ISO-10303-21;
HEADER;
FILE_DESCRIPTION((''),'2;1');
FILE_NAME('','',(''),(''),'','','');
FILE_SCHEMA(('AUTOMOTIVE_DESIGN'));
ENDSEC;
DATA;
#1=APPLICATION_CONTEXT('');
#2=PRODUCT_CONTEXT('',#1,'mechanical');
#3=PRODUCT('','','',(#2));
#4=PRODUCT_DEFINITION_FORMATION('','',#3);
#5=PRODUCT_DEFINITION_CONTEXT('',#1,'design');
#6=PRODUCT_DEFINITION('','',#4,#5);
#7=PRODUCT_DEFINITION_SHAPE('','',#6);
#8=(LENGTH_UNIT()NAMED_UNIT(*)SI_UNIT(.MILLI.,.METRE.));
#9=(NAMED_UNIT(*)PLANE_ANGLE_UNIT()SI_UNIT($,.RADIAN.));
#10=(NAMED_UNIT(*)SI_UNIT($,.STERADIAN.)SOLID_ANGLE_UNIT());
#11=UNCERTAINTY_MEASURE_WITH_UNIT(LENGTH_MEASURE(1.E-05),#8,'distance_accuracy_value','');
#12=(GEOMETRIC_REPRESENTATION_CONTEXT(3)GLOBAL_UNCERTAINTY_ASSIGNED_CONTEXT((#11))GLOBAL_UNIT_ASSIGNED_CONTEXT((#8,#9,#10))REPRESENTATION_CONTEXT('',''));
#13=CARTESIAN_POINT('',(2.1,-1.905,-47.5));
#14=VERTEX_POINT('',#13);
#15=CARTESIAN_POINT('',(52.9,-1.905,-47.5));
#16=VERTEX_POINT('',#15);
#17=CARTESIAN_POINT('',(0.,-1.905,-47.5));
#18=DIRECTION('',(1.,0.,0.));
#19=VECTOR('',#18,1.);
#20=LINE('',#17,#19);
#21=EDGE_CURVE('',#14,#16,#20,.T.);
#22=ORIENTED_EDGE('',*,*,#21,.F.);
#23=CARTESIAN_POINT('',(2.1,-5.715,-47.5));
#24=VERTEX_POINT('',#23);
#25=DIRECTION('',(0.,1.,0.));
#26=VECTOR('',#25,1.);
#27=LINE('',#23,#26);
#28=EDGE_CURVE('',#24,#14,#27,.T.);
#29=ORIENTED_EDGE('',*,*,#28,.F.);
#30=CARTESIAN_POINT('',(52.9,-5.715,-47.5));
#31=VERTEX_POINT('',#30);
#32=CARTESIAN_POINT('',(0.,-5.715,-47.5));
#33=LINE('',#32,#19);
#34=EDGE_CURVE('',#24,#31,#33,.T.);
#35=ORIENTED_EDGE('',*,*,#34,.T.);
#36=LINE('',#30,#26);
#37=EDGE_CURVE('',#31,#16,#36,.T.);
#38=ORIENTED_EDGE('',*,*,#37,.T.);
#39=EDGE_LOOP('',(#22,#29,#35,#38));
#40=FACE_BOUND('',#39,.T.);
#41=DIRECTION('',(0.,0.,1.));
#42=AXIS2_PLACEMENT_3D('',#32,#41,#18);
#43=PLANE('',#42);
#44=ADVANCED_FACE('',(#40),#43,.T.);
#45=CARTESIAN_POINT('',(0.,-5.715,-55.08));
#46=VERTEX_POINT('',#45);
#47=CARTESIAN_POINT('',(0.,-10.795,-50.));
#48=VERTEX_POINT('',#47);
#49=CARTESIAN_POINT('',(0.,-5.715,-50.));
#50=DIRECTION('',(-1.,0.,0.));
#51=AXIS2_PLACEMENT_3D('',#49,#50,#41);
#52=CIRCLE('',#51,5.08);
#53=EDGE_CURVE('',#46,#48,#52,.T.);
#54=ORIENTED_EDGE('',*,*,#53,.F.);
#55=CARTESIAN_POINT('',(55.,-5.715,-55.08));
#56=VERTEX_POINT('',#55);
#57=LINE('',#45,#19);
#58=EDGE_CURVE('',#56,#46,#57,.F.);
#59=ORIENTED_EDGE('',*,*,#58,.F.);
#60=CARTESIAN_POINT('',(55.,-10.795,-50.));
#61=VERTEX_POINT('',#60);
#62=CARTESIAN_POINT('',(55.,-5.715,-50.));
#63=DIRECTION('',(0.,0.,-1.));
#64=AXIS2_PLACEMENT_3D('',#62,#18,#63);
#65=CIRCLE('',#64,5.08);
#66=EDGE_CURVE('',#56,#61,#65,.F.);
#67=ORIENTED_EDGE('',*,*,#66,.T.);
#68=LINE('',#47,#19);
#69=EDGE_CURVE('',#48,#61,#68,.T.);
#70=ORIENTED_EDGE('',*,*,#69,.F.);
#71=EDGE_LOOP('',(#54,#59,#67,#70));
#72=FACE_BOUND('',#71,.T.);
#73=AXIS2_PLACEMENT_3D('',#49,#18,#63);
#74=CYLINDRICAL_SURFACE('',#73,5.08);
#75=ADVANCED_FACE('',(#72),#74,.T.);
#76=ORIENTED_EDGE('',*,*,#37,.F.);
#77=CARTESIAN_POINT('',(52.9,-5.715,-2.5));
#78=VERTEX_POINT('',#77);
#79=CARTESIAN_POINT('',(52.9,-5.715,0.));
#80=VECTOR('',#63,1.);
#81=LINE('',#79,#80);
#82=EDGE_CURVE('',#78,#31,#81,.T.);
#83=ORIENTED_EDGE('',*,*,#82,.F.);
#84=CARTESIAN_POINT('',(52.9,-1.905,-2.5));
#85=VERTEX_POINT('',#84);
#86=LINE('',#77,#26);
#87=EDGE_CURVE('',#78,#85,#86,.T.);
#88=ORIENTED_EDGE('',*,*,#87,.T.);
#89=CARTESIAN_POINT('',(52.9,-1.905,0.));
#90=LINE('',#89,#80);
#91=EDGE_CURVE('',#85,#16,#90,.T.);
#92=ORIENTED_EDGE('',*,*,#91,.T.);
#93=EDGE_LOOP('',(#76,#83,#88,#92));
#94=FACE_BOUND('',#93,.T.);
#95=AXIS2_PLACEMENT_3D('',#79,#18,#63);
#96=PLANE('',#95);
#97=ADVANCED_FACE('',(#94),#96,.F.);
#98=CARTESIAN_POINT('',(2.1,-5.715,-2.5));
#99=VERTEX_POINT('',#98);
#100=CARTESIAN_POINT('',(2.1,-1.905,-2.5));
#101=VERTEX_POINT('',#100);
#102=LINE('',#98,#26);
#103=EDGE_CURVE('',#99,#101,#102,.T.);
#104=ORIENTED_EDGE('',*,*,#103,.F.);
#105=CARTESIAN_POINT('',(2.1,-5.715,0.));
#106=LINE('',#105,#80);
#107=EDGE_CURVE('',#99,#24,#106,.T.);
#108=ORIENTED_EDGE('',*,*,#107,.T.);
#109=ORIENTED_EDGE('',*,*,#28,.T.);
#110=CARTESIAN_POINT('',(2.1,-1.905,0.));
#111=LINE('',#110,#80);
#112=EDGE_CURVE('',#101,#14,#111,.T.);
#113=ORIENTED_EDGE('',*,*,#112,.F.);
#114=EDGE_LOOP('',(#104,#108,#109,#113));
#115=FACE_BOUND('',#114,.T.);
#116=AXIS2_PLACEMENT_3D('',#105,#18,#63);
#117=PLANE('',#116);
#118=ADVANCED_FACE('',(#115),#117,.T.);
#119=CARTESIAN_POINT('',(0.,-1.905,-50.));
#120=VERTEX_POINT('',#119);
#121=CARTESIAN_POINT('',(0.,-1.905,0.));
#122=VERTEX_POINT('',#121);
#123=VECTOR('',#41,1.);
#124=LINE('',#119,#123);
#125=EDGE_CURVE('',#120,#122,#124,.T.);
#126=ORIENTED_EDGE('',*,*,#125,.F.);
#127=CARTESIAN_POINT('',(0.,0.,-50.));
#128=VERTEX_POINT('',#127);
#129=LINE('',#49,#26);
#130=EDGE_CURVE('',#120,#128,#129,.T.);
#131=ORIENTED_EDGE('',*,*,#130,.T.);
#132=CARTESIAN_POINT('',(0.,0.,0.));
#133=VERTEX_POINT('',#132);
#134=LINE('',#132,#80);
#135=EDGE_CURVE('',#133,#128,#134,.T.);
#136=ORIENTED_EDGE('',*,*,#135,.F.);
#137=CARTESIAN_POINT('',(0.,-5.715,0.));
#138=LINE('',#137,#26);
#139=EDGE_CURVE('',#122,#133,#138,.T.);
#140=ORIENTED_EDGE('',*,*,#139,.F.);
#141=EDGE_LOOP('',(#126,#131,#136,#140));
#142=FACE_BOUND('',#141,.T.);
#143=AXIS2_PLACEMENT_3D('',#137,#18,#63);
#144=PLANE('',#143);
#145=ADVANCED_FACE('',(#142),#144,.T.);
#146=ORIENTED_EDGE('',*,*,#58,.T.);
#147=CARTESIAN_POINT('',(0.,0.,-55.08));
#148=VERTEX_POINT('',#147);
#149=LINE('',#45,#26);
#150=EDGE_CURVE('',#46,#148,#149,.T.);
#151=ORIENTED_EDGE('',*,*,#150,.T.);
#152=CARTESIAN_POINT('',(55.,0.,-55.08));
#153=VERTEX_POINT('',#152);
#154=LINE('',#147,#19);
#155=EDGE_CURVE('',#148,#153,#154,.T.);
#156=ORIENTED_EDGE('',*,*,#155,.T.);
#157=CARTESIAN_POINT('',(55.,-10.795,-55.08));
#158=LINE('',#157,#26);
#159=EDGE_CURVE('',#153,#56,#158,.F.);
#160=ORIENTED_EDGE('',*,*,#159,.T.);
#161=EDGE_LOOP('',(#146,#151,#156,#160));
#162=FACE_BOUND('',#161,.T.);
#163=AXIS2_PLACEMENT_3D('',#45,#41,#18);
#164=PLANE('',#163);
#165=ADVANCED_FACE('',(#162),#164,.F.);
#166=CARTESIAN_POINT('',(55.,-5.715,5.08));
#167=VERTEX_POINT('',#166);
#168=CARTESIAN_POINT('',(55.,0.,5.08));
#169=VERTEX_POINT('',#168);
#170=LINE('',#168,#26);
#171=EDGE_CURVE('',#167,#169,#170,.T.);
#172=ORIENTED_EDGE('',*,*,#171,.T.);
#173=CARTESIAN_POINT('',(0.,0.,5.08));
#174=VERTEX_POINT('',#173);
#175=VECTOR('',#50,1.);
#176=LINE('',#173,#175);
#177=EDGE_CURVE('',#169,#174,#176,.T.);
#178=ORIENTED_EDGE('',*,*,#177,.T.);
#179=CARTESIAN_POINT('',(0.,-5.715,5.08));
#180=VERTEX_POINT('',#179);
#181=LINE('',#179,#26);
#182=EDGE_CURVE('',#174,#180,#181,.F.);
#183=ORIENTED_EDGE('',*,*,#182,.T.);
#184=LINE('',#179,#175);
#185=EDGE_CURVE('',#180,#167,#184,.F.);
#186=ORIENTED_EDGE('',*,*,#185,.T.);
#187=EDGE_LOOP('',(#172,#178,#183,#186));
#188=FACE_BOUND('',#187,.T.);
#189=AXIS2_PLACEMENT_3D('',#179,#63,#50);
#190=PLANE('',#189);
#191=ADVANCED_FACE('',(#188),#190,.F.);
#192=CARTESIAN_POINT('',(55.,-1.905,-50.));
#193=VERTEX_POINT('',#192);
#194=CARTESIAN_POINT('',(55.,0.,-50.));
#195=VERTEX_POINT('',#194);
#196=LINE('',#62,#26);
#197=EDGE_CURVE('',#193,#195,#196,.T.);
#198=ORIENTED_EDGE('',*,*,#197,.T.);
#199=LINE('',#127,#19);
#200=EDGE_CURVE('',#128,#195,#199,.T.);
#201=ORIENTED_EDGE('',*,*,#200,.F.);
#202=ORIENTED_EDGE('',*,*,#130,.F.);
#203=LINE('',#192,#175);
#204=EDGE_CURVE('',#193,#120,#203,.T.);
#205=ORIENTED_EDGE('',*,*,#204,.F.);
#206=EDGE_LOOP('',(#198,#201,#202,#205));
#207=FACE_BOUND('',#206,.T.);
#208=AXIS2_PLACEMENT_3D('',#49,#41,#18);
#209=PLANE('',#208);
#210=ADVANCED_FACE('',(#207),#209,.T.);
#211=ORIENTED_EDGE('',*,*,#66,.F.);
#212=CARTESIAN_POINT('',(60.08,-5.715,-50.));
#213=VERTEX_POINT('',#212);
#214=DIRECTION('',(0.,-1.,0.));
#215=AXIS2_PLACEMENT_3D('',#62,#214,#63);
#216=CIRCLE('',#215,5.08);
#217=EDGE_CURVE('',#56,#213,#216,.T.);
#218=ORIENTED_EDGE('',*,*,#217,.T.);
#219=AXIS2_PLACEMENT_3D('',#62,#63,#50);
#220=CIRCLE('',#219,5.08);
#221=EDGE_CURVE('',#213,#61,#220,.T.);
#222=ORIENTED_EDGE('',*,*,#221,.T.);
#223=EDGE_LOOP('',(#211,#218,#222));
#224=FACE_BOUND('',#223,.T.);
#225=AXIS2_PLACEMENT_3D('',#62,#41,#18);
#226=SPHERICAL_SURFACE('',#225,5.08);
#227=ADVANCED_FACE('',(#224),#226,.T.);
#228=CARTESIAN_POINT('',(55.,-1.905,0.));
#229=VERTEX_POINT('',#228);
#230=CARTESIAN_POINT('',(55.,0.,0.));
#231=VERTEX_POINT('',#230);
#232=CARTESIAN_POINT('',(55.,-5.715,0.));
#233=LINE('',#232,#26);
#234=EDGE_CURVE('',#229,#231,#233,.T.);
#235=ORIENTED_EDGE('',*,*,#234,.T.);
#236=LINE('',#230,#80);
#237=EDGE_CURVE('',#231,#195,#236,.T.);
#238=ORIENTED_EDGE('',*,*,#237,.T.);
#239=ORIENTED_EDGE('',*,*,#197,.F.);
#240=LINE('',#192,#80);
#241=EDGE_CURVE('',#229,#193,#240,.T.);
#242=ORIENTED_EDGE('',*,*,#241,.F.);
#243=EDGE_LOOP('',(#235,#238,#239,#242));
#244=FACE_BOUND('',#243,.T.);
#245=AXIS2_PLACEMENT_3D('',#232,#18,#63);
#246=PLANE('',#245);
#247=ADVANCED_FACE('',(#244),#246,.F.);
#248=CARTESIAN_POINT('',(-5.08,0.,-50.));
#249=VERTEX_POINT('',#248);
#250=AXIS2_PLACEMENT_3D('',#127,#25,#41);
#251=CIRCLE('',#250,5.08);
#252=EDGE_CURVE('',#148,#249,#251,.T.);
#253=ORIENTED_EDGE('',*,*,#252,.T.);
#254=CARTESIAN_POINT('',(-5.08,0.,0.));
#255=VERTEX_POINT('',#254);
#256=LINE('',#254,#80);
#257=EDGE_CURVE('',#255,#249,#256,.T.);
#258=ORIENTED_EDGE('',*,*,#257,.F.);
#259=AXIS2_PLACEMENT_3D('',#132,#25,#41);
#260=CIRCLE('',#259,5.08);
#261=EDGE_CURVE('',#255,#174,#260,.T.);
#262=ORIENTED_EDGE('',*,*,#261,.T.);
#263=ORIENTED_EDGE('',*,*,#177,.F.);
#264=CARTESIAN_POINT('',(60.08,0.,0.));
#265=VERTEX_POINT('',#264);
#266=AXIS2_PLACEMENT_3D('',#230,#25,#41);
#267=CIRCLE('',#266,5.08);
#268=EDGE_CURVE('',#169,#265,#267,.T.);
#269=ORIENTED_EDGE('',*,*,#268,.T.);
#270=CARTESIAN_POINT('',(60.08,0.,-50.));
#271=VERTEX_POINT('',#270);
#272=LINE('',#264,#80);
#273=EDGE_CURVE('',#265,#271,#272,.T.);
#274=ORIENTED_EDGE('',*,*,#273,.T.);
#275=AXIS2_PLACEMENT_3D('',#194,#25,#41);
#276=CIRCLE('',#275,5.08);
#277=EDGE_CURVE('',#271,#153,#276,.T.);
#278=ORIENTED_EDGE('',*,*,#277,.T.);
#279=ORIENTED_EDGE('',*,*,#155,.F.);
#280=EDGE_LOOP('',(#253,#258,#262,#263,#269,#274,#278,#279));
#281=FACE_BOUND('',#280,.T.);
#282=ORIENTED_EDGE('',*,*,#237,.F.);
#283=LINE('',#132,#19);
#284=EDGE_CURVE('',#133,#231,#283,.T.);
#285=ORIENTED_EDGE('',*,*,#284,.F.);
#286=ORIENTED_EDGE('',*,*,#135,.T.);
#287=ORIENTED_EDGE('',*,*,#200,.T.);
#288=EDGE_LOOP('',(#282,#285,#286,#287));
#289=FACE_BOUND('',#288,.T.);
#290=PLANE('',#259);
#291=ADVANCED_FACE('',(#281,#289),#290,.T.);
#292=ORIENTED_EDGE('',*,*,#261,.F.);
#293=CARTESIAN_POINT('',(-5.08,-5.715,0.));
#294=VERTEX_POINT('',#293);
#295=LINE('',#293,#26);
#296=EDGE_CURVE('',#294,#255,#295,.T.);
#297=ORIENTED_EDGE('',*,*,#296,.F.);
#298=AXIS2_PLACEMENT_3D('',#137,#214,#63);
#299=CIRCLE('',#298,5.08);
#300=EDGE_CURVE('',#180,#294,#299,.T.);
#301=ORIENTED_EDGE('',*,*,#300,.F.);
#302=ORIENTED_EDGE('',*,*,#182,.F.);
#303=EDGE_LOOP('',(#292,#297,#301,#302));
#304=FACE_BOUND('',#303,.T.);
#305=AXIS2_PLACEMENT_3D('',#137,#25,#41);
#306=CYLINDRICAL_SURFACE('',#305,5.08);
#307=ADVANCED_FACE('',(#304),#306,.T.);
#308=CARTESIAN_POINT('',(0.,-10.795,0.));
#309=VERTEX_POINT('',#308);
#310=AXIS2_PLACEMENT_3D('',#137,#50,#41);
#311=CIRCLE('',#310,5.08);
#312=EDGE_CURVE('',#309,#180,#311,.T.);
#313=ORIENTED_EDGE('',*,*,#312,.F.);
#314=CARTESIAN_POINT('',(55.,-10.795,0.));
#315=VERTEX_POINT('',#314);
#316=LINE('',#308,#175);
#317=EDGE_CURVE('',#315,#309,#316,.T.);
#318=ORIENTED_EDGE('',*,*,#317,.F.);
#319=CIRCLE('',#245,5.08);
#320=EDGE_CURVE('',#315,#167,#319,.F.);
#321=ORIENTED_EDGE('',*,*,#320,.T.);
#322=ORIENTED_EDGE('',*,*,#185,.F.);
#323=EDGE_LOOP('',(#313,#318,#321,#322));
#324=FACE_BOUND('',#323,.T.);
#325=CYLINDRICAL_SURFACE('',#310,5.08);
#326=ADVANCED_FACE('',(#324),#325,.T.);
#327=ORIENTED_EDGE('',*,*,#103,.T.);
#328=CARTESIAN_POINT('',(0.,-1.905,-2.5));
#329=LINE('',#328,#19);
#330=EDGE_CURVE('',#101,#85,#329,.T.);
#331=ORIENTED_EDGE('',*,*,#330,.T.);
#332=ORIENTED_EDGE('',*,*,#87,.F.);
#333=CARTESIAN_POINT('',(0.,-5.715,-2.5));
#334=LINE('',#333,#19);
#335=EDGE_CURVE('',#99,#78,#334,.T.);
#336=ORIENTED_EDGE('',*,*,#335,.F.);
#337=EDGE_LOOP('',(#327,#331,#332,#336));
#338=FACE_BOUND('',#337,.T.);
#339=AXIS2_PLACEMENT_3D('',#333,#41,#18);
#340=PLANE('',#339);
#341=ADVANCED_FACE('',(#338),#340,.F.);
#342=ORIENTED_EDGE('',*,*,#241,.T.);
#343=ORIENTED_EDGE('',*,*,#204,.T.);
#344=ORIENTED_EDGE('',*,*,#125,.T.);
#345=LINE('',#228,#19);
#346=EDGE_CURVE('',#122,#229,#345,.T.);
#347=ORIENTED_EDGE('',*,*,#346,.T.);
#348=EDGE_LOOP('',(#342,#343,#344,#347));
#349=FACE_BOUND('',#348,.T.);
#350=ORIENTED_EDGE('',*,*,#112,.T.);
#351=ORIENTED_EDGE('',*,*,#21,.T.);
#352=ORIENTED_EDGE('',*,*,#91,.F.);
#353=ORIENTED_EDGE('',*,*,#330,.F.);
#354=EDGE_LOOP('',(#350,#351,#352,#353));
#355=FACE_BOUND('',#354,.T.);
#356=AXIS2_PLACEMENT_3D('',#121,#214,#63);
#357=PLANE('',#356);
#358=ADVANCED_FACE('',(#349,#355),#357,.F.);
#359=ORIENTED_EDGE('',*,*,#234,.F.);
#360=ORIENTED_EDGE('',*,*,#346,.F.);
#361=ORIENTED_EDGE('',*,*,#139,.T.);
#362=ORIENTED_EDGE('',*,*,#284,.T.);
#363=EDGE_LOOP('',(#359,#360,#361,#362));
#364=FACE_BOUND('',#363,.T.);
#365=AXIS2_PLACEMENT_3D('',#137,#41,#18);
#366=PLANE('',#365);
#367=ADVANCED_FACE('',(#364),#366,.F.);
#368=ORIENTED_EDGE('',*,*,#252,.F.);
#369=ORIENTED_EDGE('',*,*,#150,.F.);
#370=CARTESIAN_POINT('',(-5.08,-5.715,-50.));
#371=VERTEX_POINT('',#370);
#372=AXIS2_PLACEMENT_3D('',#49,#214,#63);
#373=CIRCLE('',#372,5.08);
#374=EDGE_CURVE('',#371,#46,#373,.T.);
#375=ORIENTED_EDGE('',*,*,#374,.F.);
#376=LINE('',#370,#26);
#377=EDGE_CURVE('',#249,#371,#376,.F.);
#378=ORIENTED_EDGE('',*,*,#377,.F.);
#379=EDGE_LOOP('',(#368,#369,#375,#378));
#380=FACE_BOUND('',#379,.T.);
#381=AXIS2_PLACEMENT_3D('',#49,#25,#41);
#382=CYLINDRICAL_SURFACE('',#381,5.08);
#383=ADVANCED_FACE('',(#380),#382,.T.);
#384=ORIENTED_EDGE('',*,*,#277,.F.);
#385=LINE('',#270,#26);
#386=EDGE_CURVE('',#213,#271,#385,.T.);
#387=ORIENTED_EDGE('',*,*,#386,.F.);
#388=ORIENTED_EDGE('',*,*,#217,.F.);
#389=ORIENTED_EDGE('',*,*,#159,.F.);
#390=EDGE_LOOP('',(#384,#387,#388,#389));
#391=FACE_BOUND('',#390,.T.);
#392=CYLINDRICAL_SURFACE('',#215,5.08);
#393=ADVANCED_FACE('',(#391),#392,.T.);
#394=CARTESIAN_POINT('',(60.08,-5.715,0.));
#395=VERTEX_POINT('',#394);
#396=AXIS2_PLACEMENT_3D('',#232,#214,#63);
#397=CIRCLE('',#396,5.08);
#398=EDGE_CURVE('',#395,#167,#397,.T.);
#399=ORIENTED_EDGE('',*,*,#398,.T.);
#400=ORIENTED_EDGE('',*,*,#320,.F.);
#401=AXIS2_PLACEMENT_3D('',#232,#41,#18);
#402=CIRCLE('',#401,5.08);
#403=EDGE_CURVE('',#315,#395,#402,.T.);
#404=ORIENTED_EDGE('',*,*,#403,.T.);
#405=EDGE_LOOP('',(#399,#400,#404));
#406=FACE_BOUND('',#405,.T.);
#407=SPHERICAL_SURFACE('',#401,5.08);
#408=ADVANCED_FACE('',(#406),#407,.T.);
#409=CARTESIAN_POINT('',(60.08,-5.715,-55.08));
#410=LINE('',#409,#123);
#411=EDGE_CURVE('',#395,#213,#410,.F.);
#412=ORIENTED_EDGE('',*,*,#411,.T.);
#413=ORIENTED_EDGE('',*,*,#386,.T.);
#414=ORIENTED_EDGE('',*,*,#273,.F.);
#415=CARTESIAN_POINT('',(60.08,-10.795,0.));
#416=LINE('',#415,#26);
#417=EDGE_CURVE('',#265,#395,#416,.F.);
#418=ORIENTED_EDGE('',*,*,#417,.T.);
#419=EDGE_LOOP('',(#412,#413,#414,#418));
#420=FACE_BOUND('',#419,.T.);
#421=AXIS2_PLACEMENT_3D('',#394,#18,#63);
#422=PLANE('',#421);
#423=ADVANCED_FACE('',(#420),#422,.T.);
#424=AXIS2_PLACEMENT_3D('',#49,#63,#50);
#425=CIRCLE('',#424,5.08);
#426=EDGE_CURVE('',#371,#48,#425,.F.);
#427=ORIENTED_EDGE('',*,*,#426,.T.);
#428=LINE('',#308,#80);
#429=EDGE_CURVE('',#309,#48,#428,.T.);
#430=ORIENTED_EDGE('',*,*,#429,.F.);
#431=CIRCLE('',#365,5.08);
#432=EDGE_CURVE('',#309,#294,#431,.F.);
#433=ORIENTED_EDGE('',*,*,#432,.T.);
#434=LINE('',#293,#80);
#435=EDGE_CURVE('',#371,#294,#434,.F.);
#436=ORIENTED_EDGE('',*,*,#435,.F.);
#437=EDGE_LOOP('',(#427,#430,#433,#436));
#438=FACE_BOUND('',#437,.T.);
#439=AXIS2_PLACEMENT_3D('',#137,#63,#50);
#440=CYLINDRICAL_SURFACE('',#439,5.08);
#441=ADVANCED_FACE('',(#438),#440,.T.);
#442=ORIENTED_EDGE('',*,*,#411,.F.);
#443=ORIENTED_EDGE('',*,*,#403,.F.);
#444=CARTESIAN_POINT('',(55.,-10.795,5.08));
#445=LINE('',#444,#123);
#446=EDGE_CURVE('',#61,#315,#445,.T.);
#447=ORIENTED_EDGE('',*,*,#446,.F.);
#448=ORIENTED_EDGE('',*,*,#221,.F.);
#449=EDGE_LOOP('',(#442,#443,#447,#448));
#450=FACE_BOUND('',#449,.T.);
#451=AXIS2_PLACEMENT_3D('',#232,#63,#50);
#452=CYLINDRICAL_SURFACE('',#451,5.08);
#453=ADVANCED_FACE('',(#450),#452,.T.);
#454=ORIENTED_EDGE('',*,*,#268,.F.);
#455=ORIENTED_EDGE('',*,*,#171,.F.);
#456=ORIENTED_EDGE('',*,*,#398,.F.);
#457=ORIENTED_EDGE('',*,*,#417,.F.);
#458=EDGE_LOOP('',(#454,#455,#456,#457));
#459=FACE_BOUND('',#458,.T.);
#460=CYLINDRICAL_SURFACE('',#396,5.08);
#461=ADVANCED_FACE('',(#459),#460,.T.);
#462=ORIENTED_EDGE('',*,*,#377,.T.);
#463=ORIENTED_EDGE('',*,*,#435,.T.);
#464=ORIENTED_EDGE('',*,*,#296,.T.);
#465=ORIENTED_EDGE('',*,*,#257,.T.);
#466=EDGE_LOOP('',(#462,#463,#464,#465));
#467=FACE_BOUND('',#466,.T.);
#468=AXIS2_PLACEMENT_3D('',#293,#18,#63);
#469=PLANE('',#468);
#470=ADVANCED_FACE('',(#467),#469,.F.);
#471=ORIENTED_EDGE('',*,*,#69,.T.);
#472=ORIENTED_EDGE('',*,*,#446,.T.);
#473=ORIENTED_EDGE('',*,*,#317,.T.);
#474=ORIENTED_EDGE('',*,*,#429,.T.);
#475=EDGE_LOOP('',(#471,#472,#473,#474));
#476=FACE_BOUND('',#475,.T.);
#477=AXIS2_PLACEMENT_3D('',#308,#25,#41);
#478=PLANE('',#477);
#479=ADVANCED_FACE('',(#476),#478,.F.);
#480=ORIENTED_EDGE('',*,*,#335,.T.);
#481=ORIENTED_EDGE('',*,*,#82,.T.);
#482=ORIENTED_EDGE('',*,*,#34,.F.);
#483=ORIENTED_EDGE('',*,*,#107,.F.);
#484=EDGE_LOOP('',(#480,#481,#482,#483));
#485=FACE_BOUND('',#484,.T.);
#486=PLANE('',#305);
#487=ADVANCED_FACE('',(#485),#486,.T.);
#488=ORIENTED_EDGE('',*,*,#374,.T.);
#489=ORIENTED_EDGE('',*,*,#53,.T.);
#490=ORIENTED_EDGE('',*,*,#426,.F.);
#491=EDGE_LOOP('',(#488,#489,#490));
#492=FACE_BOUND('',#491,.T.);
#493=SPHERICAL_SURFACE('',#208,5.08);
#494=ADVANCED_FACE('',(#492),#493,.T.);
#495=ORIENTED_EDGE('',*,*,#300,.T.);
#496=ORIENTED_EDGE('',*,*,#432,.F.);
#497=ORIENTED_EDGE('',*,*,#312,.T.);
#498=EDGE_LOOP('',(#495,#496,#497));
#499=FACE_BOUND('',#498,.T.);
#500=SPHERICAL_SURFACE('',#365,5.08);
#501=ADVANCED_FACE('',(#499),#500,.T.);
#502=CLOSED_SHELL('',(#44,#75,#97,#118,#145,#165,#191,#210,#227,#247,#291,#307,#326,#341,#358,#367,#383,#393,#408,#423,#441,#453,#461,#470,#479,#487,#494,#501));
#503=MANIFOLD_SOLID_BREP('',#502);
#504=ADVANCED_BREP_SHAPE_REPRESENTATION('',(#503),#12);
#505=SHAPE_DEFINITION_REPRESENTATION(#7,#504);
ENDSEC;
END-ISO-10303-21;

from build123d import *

# Parameters (mm, degrees)
SKETCH1_W           = 5.08
SKETCH1_H           = 5.08
BOSS_EXTRUDE1_DEPTH = 5.715
SKETCH2_W           = 65.16
SKETCH2_H           = 60.16
BOSS_EXTRUDE2_DEPTH = 5.08
FILLET1_R           = 5.08
SKETCH3_W           = 55
SKETCH3_H           = 50
BOSS_EXTRUDE3_DEPTH = 3.81
CUT_EXTRUDE1_DEPTH  = 3.81


with BuildPart() as part:
    # Sketch1 → Boss-Extrude1 (new body)
    with BuildSketch(Plane(origin=(0, 0, 0), x_dir=(1, 0, 0), z_dir=(0, 1, 0))):
        Polygon((-5.08, 0), (0, 0), (0, 50), (55, 50), (55, 55.08), (-5.08, 55.08), align=None)
        Polygon((55, 0), (0, 0), (0, -5.08), (60.08, -5.08), (60.08, 50), (55, 50), align=None)
        with Locations((-2.54, -2.54)):
            Rectangle(SKETCH1_W, SKETCH1_H)
        with Locations((57.54, 52.54)):
            Rectangle(SKETCH1_W, SKETCH1_H)
    extrude(amount=-BOSS_EXTRUDE1_DEPTH)

    # Sketch2 → Boss-Extrude2 (add)
    with BuildSketch(Plane(origin=(0, -5.715, 0), x_dir=(-1, 0, 0), z_dir=(0, -1, 0))):
        with Locations((-27.5, 25)):
            Rectangle(SKETCH2_W, SKETCH2_H)
    extrude(amount=BOSS_EXTRUDE2_DEPTH)

    # Fillet1
    fillet1_edges = [part.edges().sort_by_distance(p)[0] for p in [
        (-5.08, -5.3975, 5.08),
        (-5.08, -5.3975, -55.08),
        (60.08, -5.3975, -55.08),
        (60.08, -5.3975, 5.08),
        (-5.08, -10.795, -25),
        (27.5, -10.795, -55.08),
        (60.08, -10.795, -25),
        (27.5, -10.795, 5.08),
    ]]
    fillet(fillet1_edges, radius=FILLET1_R)

    # Sketch3 → Boss-Extrude3 (add)
    with BuildSketch(Plane(origin=(0, -5.715, 0), x_dir=(1, 0, 0), z_dir=(0, 1, 0))):
        with Locations((27.5, 25)):
            Rectangle(SKETCH3_W, SKETCH3_H)
    extrude(amount=BOSS_EXTRUDE3_DEPTH)

    # Sketch4 → Cut-Extrude1 (cut)
    with BuildSketch(Plane(origin=(0, -1.905, 0), x_dir=(1, 0, 0), z_dir=(0, 1, 0))):
        Polygon((27.5, 25), (52.25, 47.5), (2.75, 47.5), align=None)
        Polygon((52.9, 47.5), (52.25, 47.5), (27.5, 25), (52.25, 2.5), (52.9, 2.5), align=None)
        Polygon((52.25, 2.5), (27.5, 25), (2.75, 2.5), align=None)
        Polygon((2.75, 2.5), (27.5, 25), (2.75, 47.5), (2.1, 47.5), (2.1, 2.5), align=None)
    extrude(amount=-CUT_EXTRUDE1_DEPTH, mode=Mode.SUBTRACT)


solid = part.part
